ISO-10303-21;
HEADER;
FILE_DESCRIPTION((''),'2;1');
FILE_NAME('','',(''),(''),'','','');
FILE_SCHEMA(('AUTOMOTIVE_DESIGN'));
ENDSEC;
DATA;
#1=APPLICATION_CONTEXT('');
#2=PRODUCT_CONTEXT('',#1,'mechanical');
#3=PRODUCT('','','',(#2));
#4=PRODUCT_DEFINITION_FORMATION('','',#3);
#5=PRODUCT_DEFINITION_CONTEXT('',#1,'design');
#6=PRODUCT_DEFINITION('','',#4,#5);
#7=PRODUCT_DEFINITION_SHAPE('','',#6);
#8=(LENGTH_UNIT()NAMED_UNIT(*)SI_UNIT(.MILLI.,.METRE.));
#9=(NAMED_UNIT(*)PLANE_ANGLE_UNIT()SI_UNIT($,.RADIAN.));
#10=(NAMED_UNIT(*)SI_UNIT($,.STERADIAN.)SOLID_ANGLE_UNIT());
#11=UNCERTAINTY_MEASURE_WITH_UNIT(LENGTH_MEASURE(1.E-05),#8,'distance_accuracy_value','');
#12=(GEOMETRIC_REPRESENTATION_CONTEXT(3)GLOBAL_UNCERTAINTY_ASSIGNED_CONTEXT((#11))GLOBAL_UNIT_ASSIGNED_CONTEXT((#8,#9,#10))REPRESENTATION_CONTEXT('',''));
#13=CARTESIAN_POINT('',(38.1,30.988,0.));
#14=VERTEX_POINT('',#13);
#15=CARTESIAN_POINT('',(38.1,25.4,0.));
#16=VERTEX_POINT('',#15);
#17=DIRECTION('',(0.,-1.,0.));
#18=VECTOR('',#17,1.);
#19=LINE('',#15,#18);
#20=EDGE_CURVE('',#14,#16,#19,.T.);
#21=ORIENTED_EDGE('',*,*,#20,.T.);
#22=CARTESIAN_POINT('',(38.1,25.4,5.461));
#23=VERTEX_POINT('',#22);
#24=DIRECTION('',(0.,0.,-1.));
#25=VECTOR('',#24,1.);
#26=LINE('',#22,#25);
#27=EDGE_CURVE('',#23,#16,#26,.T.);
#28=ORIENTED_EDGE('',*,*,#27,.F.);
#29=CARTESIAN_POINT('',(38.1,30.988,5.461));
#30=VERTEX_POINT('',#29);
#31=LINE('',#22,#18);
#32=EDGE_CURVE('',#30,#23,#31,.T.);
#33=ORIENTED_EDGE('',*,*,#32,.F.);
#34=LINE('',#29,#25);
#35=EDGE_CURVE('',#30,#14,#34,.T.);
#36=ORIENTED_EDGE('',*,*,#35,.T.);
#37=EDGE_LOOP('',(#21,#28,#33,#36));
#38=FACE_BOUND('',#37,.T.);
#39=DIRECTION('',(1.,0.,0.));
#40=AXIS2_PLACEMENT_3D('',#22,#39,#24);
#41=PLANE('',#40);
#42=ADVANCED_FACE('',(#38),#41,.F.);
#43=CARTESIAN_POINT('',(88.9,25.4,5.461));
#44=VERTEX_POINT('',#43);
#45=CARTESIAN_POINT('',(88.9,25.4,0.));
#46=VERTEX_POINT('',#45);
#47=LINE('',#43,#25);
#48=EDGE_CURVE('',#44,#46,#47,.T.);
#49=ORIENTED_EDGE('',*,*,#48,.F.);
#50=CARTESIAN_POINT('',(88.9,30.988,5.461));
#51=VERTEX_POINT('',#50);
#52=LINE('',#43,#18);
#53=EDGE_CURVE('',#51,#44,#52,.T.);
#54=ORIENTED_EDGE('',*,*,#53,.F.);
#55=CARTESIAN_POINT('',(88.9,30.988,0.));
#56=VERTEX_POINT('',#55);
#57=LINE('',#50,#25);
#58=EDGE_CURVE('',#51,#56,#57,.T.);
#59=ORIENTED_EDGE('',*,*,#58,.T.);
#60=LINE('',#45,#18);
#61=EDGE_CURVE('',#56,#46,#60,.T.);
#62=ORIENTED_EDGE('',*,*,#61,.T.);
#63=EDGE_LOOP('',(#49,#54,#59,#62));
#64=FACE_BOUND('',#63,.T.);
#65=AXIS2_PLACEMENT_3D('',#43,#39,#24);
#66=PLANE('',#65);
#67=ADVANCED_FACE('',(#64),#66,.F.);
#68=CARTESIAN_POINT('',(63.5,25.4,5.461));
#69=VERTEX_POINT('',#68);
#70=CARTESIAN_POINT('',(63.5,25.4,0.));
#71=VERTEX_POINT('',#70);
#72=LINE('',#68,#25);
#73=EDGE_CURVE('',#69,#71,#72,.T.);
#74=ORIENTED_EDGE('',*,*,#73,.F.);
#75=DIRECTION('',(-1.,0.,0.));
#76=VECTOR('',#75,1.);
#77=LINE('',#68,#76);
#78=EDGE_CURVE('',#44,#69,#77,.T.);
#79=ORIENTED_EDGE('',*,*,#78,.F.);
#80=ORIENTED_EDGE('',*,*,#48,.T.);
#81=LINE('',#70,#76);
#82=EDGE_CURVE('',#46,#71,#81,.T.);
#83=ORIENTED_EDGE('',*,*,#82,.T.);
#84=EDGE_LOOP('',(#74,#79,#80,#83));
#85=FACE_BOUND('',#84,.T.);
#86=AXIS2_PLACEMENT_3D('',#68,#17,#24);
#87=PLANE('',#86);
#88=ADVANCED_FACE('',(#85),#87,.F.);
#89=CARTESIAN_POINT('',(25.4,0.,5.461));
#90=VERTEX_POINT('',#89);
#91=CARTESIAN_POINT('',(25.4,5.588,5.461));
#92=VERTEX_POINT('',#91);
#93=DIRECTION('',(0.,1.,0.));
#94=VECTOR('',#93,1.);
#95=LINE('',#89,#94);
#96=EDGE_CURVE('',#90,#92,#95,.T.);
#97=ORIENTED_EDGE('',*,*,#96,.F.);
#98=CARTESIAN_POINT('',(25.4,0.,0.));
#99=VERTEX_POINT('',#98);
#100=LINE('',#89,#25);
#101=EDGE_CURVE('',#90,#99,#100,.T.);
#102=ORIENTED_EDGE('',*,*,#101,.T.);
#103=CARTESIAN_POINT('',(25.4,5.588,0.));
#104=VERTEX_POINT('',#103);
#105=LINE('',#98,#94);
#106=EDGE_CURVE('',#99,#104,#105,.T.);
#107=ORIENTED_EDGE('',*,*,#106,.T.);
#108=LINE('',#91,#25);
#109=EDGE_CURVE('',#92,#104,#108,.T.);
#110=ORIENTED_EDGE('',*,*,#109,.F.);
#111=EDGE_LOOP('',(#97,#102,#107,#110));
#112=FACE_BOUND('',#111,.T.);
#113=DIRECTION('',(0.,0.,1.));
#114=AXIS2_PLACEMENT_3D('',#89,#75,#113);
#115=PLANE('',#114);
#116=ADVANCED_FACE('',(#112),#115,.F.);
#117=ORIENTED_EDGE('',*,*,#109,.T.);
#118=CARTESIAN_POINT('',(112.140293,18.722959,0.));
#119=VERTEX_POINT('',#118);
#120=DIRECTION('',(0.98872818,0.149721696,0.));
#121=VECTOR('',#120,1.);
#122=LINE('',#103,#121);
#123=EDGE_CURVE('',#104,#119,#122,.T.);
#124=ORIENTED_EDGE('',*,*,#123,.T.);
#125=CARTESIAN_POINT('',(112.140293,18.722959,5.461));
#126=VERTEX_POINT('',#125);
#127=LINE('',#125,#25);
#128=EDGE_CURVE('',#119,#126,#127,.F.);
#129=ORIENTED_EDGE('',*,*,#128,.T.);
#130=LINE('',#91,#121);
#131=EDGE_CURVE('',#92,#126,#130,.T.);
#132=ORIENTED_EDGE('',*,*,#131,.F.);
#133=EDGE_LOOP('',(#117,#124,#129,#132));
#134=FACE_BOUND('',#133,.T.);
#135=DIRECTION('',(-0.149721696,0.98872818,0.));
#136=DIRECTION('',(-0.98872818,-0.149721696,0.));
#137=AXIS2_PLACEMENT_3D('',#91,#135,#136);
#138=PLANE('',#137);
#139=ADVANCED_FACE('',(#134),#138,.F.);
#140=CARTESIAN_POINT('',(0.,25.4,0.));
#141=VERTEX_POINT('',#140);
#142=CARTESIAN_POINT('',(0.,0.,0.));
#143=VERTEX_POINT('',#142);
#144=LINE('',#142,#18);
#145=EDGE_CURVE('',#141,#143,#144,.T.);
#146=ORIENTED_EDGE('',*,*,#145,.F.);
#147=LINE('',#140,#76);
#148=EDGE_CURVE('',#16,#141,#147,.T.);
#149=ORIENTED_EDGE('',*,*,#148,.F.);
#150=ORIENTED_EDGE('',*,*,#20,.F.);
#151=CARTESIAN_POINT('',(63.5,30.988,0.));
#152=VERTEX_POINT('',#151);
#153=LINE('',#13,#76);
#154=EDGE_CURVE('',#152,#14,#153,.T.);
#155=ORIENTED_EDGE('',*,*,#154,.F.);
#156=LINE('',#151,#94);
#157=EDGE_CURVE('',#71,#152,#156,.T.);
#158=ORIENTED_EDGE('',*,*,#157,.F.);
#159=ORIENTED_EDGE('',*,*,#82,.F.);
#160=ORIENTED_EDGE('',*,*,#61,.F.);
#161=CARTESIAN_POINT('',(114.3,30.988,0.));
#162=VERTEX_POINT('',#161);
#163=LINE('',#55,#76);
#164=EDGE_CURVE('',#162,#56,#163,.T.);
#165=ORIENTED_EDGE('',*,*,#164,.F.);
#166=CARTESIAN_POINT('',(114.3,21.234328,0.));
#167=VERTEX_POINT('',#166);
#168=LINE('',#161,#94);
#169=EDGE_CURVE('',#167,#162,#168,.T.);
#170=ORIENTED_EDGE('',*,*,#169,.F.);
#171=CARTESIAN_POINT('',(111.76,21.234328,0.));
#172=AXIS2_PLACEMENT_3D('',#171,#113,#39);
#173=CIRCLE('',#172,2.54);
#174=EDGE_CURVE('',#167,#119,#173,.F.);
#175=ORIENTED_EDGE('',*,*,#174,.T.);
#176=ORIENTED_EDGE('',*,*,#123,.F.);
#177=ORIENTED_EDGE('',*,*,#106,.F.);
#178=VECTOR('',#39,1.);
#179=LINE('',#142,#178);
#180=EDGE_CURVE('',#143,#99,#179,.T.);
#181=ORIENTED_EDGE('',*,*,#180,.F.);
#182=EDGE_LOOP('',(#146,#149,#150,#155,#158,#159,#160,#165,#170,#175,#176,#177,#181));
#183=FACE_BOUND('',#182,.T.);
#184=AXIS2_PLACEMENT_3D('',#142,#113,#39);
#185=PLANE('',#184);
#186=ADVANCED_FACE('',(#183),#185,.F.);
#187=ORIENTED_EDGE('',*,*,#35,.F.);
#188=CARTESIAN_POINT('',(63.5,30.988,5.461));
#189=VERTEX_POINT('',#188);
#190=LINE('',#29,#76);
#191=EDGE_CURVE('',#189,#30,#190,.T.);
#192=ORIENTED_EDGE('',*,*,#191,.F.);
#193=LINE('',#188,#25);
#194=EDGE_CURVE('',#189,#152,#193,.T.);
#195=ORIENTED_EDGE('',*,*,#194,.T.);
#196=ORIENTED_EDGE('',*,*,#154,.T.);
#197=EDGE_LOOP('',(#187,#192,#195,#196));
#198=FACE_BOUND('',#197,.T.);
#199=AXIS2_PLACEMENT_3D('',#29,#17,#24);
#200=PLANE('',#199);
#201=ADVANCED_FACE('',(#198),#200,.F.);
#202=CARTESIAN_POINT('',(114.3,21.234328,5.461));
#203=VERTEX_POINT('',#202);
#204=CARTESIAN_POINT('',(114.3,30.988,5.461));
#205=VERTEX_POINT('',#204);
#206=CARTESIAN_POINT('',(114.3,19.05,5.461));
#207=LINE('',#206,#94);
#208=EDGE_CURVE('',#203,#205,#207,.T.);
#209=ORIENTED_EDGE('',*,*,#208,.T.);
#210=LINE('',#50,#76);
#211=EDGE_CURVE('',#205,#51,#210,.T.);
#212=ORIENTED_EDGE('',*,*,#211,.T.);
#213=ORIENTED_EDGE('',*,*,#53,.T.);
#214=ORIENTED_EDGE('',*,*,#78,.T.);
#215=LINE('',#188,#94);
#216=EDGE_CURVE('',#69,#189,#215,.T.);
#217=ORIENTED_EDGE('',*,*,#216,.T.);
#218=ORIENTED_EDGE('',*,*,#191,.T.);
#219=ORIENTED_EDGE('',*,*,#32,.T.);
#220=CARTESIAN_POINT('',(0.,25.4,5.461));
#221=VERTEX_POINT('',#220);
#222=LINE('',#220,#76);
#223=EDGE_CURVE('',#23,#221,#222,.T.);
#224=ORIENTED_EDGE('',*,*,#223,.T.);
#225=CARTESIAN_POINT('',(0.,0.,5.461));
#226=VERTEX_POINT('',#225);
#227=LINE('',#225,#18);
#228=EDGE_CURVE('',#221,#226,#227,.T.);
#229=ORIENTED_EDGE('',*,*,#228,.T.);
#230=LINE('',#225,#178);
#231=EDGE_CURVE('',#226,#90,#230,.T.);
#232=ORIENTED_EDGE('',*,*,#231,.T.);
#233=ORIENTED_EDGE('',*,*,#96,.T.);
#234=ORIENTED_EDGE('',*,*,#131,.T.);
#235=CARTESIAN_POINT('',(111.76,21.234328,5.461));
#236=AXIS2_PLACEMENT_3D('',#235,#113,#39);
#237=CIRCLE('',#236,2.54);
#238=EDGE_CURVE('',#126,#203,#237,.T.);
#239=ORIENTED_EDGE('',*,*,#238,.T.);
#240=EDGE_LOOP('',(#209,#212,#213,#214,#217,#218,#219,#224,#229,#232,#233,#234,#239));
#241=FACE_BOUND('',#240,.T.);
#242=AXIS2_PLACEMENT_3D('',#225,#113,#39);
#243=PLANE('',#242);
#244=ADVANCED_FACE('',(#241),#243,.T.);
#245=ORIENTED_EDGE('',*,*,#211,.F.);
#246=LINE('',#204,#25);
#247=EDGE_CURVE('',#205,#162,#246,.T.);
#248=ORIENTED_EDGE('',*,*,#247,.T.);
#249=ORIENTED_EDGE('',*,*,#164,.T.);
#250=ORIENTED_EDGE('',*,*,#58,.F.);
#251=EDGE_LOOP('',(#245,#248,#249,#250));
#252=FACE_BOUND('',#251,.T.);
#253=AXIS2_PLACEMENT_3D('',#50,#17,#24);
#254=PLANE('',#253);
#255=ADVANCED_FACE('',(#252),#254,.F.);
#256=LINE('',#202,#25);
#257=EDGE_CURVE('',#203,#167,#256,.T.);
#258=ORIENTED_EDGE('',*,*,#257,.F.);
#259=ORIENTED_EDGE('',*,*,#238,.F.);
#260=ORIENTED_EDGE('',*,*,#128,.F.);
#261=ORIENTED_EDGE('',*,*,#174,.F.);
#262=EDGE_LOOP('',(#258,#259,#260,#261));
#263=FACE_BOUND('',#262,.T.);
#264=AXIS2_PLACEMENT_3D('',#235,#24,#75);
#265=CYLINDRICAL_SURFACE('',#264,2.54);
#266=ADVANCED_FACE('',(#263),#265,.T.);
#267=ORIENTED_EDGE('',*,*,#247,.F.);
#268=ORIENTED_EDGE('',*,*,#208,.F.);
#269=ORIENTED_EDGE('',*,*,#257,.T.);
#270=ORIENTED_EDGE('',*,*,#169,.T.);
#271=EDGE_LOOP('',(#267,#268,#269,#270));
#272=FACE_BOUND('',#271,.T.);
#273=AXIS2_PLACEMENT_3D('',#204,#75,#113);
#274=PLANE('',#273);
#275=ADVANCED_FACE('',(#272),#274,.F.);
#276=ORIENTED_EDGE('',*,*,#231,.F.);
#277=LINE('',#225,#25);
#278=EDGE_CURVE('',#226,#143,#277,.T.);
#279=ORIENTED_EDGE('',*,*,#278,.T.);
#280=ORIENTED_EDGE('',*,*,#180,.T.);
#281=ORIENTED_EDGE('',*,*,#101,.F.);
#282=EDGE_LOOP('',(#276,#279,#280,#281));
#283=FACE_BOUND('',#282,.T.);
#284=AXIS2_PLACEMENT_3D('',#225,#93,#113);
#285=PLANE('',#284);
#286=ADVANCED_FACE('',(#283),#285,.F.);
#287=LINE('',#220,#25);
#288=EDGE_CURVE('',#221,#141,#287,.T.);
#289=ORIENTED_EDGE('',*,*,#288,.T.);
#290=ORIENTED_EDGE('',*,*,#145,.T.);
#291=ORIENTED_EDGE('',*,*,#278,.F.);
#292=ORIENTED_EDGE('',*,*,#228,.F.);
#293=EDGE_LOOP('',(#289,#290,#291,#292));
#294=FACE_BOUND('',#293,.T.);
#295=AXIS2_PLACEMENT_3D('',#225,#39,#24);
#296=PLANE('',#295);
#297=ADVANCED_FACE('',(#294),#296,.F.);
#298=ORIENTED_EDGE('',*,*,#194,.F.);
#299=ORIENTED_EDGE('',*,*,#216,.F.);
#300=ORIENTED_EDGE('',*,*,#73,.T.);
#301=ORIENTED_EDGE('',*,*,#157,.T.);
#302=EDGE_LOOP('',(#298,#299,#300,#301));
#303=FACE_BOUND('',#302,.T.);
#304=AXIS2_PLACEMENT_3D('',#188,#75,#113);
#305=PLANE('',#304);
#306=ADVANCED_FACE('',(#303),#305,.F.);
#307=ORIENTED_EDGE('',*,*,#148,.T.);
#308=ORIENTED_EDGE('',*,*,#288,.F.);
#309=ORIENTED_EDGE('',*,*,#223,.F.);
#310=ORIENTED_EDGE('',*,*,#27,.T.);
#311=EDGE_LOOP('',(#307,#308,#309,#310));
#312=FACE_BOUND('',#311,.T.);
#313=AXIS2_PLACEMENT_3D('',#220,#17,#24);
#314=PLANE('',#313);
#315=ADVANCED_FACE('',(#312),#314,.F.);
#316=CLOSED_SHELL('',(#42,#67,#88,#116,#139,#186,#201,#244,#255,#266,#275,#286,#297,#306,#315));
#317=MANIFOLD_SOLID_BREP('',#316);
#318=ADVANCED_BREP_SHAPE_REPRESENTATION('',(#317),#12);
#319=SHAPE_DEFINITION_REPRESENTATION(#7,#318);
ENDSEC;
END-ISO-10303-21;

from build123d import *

# Parameters (mm, degrees)
BOSS_EXTRUDE1_DEPTH = 5.461
FILLET1_R           = 2.54


with BuildPart() as part:
    # Sketch1 → Boss-Extrude1 (new body)
    with BuildSketch(Plane.XY):
        Polygon((0, 0), (0, 25.4), (38.1, 25.4), (38.1, 30.988), (63.5, 30.988), (63.5, 25.4), (88.9, 25.4), (88.9, 30.988), (114.3, 30.988), (114.3, 25.4), (114.3, 19.05), (25.4, 5.588), (25.4, 0), align=None)
    extrude(amount=BOSS_EXTRUDE1_DEPTH)

    # Fillet1
    fillet1_edges = [part.edges().sort_by_distance(p)[0] for p in [
        (114.3, 19.05, 2.7305),
    ]]
    fillet(fillet1_edges, radius=FILLET1_R)


solid = part.part
